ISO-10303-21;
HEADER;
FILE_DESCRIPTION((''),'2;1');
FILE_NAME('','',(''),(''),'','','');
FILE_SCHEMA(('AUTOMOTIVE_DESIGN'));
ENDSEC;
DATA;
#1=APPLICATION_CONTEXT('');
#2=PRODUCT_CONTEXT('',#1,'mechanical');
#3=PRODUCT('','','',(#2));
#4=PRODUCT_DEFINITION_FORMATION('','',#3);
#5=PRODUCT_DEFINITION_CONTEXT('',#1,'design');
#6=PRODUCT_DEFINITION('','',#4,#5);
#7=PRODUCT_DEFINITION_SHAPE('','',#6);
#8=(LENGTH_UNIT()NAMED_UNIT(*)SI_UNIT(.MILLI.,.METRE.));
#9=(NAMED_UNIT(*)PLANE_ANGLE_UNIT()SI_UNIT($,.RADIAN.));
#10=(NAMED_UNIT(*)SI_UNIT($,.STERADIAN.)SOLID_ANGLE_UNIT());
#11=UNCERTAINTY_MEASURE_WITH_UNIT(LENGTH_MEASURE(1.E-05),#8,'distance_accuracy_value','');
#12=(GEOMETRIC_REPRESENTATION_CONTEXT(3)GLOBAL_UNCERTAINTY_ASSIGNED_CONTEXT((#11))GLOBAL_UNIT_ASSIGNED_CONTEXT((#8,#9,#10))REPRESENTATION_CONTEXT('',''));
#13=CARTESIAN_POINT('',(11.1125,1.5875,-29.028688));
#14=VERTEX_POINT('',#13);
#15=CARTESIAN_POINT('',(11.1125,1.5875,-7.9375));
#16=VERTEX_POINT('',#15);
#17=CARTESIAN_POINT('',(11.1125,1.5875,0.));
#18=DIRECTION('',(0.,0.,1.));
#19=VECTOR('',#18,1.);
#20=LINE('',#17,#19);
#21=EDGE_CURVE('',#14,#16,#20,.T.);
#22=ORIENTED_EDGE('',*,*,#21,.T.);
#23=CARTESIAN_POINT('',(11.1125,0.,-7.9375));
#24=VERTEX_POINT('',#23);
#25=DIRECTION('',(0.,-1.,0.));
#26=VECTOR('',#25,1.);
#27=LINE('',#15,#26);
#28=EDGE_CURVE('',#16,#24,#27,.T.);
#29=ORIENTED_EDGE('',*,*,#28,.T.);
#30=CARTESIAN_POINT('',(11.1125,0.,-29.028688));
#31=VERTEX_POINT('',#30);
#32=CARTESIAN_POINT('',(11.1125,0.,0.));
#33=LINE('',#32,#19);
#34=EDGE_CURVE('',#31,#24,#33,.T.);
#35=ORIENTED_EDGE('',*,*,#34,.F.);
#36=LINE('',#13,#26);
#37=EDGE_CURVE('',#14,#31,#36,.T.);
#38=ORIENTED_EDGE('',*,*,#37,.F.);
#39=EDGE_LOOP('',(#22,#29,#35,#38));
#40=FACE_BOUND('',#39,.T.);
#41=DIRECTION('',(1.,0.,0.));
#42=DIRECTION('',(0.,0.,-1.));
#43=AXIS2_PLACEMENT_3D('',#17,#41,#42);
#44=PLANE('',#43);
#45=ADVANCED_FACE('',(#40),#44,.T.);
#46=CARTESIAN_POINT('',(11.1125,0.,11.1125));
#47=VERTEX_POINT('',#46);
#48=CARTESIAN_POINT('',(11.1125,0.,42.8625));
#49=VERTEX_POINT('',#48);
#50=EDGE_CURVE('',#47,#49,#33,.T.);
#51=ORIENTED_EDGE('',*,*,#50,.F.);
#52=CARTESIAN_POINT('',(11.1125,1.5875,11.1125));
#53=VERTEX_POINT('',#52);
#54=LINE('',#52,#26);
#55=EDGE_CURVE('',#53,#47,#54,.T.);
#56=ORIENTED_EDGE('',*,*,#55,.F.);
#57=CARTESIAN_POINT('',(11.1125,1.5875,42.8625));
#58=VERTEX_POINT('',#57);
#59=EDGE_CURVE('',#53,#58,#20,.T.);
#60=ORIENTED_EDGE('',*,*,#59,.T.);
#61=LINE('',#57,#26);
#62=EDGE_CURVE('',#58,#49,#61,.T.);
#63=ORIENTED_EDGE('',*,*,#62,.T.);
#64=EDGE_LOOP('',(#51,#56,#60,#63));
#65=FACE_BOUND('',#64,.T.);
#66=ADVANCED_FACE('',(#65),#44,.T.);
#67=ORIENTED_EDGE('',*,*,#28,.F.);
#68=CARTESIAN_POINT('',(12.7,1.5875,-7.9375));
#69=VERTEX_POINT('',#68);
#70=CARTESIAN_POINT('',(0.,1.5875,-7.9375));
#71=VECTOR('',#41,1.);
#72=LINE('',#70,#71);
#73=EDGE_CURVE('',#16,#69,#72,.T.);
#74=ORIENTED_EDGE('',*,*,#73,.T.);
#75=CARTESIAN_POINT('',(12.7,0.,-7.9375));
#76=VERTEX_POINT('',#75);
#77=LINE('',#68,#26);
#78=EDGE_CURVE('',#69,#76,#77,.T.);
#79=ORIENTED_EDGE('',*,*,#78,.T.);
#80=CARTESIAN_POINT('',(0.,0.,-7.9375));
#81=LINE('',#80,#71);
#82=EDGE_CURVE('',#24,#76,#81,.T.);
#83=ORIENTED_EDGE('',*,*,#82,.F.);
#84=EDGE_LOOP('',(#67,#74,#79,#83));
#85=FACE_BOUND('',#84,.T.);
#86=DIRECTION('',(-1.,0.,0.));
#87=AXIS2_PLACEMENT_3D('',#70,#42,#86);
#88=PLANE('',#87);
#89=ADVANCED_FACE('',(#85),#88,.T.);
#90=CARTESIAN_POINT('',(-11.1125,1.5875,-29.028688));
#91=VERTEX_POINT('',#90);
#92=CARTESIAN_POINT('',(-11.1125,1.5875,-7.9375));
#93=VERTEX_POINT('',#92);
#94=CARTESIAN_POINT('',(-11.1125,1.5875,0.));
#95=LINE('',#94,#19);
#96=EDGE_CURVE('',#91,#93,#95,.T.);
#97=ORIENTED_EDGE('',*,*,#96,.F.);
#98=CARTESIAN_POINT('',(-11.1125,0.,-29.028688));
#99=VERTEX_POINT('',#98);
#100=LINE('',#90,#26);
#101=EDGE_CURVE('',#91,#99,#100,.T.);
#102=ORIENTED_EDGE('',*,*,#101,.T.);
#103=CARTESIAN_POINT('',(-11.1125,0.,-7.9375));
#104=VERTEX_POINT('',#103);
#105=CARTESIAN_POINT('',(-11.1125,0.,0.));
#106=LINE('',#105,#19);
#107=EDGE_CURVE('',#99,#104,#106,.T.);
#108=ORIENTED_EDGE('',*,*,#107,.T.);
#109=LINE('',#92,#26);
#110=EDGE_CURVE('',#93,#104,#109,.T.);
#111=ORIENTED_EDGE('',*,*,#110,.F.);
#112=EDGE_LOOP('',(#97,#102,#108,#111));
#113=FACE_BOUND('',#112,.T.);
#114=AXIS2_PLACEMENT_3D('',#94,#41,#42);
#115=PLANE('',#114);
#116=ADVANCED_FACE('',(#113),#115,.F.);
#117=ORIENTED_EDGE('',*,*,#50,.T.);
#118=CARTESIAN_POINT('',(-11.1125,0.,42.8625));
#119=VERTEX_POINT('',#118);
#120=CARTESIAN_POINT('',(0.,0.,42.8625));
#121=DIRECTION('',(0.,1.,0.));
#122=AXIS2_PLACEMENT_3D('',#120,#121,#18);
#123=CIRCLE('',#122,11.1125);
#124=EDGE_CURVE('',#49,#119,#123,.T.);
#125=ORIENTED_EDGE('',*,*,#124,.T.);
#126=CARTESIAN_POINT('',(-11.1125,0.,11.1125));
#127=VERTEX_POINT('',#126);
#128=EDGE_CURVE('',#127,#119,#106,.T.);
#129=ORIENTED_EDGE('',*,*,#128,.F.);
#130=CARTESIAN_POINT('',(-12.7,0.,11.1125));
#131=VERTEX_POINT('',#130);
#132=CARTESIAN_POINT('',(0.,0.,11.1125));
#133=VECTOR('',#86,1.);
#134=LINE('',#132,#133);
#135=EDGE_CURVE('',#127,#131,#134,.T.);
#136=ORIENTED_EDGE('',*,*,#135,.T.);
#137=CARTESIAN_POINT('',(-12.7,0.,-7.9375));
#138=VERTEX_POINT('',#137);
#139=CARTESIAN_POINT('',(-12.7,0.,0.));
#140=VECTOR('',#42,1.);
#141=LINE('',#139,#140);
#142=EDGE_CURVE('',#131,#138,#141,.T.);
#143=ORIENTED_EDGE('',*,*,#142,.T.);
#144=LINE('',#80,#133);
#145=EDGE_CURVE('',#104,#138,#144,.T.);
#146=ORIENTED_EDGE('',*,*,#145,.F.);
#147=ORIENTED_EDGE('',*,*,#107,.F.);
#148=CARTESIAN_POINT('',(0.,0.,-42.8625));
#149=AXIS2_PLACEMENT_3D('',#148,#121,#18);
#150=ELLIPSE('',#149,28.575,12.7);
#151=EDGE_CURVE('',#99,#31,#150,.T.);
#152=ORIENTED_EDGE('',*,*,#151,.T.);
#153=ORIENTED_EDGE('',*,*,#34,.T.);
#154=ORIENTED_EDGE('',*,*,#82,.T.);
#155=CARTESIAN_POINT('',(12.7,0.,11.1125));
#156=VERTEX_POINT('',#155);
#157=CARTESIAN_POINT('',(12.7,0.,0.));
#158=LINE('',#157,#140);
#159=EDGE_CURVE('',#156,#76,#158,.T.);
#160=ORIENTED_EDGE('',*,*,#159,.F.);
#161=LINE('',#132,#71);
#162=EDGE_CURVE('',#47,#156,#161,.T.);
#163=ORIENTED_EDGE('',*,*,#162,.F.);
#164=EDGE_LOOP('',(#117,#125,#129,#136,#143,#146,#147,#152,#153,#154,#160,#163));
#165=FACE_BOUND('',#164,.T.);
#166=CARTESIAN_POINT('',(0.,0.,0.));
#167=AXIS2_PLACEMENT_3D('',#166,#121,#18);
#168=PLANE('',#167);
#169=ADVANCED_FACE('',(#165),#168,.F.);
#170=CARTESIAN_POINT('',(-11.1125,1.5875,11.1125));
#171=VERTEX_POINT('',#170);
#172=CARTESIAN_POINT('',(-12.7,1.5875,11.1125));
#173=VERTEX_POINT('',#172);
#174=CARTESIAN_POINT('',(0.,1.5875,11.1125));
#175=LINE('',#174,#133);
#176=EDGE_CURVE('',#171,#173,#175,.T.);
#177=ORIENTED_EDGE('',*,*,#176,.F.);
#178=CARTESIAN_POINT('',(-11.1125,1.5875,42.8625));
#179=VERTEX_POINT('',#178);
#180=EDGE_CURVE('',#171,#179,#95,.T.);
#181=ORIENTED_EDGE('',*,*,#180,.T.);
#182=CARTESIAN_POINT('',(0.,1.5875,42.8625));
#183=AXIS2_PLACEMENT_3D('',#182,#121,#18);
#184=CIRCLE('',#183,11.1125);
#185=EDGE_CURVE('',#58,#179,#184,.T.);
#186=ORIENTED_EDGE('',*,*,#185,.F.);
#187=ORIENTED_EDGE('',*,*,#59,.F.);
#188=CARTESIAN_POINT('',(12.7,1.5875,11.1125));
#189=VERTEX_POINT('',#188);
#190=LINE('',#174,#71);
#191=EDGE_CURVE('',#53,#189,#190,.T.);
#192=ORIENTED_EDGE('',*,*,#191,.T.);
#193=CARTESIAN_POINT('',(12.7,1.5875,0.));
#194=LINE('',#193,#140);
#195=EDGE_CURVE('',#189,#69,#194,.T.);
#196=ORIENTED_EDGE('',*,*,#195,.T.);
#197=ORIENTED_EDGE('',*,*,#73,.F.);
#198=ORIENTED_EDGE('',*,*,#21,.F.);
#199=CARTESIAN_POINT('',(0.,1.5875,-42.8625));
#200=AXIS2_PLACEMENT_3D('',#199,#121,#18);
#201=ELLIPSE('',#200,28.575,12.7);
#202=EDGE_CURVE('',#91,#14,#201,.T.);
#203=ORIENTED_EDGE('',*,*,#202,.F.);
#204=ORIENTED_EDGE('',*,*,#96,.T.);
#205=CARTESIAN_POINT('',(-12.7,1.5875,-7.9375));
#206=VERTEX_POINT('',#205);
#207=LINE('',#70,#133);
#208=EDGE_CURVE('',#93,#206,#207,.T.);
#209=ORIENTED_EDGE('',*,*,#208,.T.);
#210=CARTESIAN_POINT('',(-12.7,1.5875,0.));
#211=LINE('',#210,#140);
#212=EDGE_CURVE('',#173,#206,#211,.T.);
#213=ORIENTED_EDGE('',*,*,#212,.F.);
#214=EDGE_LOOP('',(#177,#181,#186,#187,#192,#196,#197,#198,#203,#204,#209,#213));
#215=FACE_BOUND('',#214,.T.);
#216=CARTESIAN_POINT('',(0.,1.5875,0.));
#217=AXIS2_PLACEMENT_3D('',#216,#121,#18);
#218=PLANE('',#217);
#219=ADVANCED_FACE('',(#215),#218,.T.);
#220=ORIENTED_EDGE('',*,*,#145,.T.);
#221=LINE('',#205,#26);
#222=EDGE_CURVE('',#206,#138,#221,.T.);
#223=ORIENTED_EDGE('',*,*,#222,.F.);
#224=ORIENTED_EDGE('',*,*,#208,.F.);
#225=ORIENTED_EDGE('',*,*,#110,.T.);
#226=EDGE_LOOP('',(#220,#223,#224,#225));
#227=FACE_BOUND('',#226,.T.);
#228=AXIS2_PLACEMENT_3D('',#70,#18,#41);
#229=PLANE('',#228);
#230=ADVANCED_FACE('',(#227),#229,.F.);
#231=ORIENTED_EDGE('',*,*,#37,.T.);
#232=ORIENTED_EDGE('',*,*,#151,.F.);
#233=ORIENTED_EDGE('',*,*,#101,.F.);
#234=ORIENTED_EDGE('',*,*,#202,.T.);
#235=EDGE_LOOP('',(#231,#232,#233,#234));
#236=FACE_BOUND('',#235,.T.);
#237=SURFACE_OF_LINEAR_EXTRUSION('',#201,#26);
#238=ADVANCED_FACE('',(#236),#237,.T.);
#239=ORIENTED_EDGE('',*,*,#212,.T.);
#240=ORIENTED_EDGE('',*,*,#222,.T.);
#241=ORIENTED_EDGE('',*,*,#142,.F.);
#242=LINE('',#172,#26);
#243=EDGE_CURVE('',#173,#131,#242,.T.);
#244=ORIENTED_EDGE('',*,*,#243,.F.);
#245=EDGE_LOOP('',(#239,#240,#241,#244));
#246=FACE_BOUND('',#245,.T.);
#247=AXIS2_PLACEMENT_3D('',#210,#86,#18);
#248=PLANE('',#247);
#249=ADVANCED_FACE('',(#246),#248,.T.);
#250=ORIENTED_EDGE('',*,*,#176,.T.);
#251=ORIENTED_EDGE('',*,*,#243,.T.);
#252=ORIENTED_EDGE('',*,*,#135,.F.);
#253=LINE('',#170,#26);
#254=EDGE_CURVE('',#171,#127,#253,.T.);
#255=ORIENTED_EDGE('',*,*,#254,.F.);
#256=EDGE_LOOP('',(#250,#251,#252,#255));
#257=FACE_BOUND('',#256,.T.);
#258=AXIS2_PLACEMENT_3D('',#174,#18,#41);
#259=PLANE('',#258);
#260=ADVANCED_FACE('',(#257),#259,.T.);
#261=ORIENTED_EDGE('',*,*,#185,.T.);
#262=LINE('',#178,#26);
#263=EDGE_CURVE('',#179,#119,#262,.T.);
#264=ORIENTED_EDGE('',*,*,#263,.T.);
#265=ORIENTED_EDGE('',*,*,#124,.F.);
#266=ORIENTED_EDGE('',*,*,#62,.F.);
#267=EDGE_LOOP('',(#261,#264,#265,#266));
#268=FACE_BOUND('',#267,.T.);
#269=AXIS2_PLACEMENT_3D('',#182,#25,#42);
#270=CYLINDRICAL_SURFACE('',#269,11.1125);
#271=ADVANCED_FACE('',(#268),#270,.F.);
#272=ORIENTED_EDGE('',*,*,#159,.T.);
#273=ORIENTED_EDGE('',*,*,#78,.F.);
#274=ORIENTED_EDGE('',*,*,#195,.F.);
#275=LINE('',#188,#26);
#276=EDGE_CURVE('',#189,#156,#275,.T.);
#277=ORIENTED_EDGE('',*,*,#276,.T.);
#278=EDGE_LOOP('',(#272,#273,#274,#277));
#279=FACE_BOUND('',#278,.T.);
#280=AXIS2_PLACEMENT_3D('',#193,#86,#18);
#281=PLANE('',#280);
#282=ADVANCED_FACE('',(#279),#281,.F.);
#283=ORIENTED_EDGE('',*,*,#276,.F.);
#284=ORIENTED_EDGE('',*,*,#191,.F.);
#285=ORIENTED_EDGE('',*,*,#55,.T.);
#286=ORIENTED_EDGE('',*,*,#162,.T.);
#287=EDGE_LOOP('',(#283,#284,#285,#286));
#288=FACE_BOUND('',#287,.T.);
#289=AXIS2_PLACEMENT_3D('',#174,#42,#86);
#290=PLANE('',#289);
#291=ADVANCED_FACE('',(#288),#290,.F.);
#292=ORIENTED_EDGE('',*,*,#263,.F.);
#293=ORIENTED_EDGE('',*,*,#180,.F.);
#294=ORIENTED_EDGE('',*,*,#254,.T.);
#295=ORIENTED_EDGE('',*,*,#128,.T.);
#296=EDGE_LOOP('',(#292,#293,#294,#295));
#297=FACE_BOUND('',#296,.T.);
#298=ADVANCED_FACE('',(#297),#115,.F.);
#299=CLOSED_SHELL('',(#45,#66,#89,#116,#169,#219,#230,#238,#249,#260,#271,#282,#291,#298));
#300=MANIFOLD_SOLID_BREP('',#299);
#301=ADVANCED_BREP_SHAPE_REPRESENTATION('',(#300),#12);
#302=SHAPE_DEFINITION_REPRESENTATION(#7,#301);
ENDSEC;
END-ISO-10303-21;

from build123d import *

# Parameters (mm, degrees)
SKETCH1_W           = 1.5875
SKETCH1_H           = 19.05
BOSS_EXTRUDE1_DEPTH = 1.5875


with BuildPart() as part:
    # Sketch1 → Boss-Extrude1 (new body)
    with BuildSketch(Plane(origin=(0, 0, 0), x_dir=(1, 0, 0), z_dir=(0, 1, 0))):
        with BuildLine():
            Line((11.1125, 7.9375), (11.1125, 29.02868761))
            add(Edge.make_bspline(
                [(-11.1125, 29.02868761), (0, -16.161766196), (11.1125, 29.02868761)],
                knots=[2.076156837, 2.076156837, 2.076156837, 4.20702847, 4.20702847, 4.20702847], degree=2, weights=[1, 0.484122918, 1]))
            Line((-11.1125, 29.02868761), (-11.1125, 7.9375))
            Line((-11.1125, 7.9375), (-11.1125, -11.1125))
            Line((-11.1125, -11.1125), (-11.1125, -42.8625))
            ThreePointArc((-11.1125, -42.8625), (0, -31.75), (11.1125, -42.8625))
            Line((11.1125, -42.8625), (11.1125, -11.1125))
            Line((11.1125, -11.1125), (11.1125, 7.9375))
        make_face()
        with Locations((11.90625, -1.5875)):
            Rectangle(SKETCH1_W, SKETCH1_H)
        with Locations((-11.90625, -1.5875)):
            Rectangle(SKETCH1_W, SKETCH1_H)
    extrude(amount=BOSS_EXTRUDE1_DEPTH)


solid = part.part
